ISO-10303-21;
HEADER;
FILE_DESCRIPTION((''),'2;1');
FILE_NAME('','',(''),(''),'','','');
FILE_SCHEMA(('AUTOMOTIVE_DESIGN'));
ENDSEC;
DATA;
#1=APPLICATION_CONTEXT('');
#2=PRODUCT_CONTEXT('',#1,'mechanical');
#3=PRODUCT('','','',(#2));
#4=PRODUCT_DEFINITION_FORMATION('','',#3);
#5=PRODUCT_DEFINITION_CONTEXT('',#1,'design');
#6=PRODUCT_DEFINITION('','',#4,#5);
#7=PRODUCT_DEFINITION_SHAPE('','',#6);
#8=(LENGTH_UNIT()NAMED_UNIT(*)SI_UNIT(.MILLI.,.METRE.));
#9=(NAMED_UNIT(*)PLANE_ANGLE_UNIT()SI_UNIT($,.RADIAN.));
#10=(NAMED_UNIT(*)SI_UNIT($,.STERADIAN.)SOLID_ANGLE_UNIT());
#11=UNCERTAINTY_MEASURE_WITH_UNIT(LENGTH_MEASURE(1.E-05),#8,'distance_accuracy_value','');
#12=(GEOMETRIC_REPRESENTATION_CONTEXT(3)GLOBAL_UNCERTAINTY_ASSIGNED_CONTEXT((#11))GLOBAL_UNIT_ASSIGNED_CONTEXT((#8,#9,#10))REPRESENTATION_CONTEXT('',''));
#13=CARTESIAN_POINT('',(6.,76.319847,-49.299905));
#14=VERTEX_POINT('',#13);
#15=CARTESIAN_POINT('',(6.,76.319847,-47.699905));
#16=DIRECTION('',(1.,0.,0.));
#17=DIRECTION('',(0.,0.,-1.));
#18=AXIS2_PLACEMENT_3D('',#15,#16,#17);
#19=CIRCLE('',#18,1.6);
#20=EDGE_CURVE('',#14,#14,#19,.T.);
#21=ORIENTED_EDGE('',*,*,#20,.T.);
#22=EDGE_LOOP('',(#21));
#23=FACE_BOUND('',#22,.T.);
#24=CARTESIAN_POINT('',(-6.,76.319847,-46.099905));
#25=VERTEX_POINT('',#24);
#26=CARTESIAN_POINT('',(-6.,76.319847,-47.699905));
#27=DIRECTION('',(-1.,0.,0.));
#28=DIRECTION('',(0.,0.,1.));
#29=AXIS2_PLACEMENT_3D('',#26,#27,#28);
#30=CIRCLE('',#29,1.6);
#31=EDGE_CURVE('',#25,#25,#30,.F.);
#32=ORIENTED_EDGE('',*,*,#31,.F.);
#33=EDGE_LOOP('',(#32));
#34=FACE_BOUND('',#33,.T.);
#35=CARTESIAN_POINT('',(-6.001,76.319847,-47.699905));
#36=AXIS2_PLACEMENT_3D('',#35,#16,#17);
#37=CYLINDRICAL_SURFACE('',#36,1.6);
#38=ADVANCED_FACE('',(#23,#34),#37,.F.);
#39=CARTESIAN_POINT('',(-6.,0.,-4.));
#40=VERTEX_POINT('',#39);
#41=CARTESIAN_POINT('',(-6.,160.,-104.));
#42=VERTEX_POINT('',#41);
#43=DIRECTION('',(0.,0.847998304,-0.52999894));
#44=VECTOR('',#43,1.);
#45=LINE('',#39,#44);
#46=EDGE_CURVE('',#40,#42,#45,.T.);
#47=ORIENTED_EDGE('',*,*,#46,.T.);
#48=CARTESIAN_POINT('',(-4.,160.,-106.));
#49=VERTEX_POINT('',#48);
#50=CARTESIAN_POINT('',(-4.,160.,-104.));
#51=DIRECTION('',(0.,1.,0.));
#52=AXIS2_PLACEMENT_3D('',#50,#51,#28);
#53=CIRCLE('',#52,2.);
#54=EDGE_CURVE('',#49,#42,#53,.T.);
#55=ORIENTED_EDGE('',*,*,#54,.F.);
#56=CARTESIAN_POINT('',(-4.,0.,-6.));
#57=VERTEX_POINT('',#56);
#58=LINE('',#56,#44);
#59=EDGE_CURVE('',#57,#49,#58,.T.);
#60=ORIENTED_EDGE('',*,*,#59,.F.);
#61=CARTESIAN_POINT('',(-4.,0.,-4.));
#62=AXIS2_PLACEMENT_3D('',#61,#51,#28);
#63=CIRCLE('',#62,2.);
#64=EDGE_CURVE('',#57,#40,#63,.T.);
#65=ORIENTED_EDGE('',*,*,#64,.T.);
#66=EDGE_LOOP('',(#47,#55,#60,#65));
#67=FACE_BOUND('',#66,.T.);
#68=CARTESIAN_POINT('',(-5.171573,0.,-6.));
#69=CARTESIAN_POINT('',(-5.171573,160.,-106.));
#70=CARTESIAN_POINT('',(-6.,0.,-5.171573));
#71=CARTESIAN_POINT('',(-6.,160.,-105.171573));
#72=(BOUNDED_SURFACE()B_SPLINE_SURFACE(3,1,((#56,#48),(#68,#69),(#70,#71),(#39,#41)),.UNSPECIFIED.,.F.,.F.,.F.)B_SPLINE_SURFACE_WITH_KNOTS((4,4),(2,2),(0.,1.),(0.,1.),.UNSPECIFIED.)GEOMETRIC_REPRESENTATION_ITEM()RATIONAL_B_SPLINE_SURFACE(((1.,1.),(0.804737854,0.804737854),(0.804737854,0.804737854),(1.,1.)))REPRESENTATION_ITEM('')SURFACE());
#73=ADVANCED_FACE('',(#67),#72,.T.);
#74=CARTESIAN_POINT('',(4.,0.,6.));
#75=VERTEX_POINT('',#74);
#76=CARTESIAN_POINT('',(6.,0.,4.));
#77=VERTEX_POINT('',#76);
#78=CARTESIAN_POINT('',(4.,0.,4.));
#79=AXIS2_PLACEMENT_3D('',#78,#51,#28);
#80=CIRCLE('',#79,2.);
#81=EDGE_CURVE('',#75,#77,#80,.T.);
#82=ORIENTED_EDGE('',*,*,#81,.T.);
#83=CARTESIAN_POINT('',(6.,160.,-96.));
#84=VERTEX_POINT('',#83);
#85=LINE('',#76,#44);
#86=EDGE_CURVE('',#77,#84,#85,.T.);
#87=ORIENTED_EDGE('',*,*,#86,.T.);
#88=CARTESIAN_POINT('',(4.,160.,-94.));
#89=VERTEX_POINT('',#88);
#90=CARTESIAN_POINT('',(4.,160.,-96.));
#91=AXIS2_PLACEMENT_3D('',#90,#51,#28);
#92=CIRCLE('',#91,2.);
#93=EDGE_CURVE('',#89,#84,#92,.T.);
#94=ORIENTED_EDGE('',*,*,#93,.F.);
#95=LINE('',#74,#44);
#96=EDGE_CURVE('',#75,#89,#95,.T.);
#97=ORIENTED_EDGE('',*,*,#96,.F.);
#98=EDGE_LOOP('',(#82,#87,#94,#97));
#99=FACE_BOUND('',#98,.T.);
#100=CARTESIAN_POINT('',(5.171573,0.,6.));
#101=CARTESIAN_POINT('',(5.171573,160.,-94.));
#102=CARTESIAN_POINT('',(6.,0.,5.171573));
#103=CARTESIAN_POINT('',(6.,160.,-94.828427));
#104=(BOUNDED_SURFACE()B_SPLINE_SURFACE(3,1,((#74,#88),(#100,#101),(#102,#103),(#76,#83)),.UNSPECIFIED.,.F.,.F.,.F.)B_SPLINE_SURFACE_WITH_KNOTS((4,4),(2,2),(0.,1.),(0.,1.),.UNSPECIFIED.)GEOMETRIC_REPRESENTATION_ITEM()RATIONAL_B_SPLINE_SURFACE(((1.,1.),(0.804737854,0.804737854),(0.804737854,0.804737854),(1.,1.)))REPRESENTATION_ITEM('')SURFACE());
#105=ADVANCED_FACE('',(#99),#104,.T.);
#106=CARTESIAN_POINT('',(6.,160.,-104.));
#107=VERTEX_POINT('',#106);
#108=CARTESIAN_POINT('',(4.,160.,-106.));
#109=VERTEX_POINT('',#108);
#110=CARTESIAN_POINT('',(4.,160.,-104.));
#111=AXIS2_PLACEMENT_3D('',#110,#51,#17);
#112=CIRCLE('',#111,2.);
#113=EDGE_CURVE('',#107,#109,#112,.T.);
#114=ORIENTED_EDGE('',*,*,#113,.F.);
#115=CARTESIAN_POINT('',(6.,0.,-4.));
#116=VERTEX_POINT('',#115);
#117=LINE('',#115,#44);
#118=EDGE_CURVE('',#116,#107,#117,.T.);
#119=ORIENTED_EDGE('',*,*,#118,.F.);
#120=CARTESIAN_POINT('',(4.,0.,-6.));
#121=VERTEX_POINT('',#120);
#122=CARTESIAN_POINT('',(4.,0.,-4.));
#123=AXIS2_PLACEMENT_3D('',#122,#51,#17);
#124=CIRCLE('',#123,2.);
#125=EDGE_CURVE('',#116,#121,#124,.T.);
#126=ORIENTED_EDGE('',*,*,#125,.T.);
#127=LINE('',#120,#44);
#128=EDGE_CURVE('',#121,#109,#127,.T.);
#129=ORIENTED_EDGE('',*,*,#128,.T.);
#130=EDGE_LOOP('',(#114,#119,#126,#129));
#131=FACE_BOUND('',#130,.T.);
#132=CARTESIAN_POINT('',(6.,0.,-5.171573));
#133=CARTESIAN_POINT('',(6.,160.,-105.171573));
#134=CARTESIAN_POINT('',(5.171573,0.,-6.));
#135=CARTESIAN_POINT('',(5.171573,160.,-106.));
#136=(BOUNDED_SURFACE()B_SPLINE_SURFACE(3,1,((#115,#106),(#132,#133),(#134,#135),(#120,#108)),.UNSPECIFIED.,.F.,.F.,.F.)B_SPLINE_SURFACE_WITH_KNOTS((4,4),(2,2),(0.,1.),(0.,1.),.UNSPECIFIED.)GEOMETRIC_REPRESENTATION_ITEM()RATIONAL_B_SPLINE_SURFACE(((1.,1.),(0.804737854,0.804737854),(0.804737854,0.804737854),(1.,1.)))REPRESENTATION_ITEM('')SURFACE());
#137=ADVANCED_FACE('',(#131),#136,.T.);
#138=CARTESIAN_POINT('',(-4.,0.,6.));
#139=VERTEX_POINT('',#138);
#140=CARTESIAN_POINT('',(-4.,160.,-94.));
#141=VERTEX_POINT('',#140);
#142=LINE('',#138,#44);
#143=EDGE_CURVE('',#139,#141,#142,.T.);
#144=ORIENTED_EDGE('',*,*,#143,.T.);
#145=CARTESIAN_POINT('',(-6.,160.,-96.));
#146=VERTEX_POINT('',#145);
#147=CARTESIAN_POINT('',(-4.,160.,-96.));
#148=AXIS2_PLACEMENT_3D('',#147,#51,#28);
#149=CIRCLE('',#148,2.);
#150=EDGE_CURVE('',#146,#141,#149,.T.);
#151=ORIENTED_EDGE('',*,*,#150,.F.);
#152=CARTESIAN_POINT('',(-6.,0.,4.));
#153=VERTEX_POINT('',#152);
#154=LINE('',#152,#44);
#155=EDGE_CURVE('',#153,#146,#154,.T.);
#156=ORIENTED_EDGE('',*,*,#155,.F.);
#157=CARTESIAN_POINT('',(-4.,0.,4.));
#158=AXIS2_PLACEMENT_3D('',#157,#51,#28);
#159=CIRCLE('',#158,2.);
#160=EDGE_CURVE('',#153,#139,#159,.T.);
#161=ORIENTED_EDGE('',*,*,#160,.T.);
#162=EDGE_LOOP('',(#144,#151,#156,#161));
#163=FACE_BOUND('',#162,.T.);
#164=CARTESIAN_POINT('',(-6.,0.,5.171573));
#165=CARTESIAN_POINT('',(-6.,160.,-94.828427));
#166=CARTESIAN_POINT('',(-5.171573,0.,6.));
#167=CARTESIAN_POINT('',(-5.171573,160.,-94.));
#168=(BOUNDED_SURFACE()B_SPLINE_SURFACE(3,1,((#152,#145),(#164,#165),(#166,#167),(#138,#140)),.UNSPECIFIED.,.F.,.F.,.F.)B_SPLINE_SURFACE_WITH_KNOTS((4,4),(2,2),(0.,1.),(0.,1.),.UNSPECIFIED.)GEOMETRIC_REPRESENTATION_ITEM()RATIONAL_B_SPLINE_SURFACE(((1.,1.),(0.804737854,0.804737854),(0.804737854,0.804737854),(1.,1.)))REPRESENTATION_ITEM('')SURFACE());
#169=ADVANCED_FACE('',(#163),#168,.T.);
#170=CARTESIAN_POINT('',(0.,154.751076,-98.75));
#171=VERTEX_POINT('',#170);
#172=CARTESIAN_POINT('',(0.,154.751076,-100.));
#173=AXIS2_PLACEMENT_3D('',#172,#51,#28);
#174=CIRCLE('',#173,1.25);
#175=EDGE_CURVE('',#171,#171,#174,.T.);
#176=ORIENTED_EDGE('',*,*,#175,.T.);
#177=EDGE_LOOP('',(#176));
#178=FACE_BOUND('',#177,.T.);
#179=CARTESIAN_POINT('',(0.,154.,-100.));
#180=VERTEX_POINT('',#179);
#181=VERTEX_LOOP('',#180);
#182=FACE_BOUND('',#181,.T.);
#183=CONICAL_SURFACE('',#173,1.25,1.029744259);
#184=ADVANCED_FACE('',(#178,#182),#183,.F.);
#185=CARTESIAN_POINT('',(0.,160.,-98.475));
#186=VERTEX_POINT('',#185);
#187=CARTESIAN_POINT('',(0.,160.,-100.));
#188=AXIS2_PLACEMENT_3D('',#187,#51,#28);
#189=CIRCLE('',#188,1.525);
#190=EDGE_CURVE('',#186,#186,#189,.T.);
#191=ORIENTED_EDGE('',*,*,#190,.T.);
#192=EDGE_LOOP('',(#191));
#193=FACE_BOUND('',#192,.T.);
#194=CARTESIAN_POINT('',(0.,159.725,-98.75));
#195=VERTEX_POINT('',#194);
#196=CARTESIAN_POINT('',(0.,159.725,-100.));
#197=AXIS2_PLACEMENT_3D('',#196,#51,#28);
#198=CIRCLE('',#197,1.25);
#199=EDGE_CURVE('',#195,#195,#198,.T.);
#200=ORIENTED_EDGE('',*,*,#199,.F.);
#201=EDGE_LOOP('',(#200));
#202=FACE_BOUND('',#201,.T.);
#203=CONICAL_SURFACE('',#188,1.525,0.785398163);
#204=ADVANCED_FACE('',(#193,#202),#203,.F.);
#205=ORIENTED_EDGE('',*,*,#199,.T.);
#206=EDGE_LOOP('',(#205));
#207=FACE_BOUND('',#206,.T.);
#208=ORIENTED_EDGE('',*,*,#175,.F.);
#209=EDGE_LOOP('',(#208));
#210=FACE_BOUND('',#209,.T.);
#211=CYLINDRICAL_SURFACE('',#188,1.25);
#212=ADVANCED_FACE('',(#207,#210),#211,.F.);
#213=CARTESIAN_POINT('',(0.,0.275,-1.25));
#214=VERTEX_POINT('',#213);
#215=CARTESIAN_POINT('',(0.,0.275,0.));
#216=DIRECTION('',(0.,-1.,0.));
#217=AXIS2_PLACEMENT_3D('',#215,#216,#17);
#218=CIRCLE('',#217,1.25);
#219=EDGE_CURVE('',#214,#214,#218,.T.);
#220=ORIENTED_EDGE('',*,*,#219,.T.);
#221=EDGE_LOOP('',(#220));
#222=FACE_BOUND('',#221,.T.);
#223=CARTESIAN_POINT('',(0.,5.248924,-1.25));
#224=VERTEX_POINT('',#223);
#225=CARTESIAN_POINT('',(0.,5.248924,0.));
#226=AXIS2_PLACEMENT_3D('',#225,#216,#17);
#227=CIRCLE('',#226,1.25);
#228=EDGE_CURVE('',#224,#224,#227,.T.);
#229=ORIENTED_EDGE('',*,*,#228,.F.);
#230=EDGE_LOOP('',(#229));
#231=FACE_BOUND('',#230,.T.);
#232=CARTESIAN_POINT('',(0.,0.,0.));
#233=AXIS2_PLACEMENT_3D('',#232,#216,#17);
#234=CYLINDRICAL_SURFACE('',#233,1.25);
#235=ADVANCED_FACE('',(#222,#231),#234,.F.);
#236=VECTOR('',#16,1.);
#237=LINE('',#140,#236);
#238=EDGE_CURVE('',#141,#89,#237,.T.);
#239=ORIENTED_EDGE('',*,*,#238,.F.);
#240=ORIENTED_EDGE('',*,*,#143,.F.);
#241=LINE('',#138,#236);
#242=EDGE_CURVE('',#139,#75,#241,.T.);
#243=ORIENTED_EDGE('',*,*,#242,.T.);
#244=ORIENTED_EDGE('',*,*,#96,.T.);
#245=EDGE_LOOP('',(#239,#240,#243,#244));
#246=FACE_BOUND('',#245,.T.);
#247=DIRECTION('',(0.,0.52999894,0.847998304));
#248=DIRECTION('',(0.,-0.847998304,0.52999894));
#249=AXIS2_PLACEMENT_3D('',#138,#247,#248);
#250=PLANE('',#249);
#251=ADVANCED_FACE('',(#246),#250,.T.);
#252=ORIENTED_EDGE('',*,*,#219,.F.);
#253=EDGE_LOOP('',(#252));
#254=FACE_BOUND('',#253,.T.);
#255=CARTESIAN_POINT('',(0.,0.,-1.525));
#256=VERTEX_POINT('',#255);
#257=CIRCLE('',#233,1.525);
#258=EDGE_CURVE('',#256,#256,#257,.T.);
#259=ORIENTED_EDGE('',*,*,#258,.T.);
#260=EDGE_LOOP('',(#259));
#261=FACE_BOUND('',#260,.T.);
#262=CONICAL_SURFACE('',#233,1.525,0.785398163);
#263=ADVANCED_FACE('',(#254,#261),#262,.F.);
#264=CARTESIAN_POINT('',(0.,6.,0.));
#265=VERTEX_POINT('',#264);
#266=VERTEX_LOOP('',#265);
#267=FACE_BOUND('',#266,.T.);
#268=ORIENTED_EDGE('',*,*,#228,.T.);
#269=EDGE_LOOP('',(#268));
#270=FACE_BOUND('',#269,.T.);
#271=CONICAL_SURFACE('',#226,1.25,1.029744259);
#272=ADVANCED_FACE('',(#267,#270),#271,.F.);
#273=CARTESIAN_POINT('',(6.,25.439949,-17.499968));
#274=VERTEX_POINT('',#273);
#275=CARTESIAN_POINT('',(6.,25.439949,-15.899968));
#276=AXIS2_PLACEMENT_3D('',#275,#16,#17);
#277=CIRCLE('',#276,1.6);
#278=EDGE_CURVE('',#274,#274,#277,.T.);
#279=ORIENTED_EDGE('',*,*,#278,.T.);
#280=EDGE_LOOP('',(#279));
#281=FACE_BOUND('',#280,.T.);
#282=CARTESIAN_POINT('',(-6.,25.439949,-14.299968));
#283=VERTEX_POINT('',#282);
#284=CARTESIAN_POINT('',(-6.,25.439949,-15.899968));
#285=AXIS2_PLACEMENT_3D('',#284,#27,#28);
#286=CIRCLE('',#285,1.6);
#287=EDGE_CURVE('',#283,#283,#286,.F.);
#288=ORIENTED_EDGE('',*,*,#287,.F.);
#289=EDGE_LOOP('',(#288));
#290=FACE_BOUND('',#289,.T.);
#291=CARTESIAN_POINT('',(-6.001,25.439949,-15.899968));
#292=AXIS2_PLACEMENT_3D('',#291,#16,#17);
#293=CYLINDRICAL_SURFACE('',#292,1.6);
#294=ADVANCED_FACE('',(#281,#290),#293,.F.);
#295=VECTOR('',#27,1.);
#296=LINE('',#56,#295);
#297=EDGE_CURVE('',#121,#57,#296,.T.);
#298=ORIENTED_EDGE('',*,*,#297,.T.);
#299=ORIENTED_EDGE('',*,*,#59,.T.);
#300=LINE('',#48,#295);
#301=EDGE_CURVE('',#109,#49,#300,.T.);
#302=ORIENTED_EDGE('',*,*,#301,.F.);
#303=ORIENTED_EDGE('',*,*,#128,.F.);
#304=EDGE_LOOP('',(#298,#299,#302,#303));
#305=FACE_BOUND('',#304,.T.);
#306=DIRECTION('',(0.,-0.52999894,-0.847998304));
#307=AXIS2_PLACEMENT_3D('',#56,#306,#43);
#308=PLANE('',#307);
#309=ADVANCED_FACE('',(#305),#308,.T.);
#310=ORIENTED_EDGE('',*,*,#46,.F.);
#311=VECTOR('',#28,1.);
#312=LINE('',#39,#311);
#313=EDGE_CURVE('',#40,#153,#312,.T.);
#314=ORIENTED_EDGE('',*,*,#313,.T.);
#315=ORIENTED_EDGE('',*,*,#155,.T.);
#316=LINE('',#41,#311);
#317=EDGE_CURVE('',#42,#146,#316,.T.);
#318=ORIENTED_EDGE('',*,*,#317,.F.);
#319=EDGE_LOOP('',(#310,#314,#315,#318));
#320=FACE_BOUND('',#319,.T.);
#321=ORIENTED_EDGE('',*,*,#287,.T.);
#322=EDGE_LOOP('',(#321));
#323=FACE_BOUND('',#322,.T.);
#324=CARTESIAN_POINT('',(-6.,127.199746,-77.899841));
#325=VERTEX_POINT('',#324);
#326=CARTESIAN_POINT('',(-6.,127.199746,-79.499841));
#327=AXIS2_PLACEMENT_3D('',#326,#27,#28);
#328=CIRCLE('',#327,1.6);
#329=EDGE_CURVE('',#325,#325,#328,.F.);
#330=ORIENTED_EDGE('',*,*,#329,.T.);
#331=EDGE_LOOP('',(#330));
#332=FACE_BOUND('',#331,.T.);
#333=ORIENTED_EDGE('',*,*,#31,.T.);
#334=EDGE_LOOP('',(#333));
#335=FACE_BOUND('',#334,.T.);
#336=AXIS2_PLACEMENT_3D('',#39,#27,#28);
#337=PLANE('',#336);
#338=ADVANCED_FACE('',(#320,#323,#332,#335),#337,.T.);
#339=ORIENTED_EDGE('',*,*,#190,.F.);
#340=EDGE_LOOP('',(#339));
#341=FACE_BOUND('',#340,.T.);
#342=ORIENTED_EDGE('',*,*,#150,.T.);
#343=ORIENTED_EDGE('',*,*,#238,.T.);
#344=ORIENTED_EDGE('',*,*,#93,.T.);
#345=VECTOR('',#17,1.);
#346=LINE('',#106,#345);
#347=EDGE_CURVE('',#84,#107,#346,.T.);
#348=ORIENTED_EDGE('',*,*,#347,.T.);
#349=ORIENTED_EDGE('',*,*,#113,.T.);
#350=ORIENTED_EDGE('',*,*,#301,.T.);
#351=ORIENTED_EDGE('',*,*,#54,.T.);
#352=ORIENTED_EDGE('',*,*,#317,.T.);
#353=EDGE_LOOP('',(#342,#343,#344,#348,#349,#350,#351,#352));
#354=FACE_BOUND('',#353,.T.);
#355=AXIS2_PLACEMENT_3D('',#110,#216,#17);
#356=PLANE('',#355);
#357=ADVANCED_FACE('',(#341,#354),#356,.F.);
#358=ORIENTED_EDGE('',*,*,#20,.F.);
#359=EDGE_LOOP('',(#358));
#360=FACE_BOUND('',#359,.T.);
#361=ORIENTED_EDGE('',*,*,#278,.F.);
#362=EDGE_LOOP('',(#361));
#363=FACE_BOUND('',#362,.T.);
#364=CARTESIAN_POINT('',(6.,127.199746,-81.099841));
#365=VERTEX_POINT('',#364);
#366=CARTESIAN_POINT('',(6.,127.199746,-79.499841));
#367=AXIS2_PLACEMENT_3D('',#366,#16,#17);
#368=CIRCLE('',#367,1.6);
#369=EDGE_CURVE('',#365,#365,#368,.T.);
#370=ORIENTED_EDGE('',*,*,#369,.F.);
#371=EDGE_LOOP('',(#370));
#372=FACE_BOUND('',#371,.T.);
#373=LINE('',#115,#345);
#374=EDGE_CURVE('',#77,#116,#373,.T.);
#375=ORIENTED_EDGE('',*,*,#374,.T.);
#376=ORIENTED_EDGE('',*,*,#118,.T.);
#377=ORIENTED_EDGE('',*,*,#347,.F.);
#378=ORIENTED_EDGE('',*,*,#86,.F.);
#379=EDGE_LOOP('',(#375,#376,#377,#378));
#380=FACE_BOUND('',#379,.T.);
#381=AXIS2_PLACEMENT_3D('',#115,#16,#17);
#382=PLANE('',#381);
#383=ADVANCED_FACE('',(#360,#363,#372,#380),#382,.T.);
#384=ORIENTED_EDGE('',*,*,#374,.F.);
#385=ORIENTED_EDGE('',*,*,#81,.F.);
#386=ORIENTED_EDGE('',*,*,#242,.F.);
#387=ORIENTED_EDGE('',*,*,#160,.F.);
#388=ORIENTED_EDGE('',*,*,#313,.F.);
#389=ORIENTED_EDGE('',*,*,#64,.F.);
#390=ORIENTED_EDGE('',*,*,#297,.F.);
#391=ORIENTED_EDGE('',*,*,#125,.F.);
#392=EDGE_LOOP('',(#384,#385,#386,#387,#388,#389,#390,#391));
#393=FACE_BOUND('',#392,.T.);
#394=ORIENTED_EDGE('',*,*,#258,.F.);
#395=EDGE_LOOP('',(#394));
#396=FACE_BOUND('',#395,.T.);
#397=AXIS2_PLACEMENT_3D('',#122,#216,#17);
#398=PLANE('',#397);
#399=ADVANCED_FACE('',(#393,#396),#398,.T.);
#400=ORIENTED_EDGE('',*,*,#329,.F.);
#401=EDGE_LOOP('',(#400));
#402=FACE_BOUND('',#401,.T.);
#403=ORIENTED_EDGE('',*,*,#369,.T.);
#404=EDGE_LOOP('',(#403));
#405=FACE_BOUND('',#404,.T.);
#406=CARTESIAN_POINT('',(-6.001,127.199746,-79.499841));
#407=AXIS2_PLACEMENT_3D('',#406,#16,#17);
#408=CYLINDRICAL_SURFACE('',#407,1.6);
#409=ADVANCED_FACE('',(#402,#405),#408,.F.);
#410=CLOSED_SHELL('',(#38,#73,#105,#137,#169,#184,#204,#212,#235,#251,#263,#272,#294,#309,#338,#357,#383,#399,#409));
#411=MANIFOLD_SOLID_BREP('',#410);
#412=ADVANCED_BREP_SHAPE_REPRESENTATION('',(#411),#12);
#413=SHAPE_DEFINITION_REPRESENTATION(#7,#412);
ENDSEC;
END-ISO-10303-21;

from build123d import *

# Parameters (mm, degrees)
HOLE_WIZARD_M3_1_D           = 2.5
HOLE_WIZARD_M3_1_DEPTH       = 5.248924226
HOLE_WIZARD_M3_1_CSINK_D     = 3.05
HOLE_WIZARD_M3_1_CSINK_ANGLE = 90
HOLE_WIZARD_M3_1_TIP         = 0.751075774
HOLE_WIZARD_M3_2_D           = 2.5
HOLE_WIZARD_M3_2_DEPTH       = 5.248924226
HOLE_WIZARD_M3_2_CSINK_D     = 3.05
HOLE_WIZARD_M3_2_CSINK_ANGLE = 90
HOLE_WIZARD_M3_2_TIP         = 0.751075774
CUT_EXTRUDE_1_REACH          = 194.302
SKETCH_7_R                   = 1.6


with BuildPart() as part:
    # 扫描2: sweep along a path in 草图2
    with BuildLine(Plane(origin=(0, 0, 0), x_dir=(0, 0, -1), z_dir=(1, 0, 0))) as sweep_2_path:
        Line((0, 0), (100, 160))
    # 草图1 → 扫描2 (sweep)
    with BuildSketch(Plane(origin=(0, 0, 0), x_dir=(1, 0, 0), z_dir=(0, 1, 0))):
        with BuildLine():
            Line((-4, 6), (4, 6))
            ThreePointArc((4, 6), (5.414213562, 5.414213562), (6, 4))
            Line((6, 4), (6, -4))
            ThreePointArc((6, -4), (5.414213562, -5.414213562), (4, -6))
            Line((4, -6), (-4, -6))
            ThreePointArc((-4, -6), (-5.414213562, -5.414213562), (-6, -4))
            Line((-6, -4), (-6, 4))
            ThreePointArc((-6, 4), (-5.414213562, 5.414213562), (-4, 6))
        make_face()
    sweep(path=sweep_2_path.line)

    # M3 螺纹孔1
    with Locations(Plane.XZ):
        with Locations((0, 0)):
            CounterSinkHole(HOLE_WIZARD_M3_1_D / 2, HOLE_WIZARD_M3_1_CSINK_D / 2, depth=HOLE_WIZARD_M3_1_DEPTH, counter_sink_angle=HOLE_WIZARD_M3_1_CSINK_ANGLE)
            with Locations((0, 0, -(HOLE_WIZARD_M3_1_DEPTH + HOLE_WIZARD_M3_1_TIP / 2))):  # 118° drill point
                Cone(0, HOLE_WIZARD_M3_1_D / 2, HOLE_WIZARD_M3_1_TIP, mode=Mode.SUBTRACT)

    # M3 螺纹孔2
    with Locations(Plane(origin=(0, 160, 0), x_dir=(1, 0, 0), z_dir=(0, 1, 0))):
        with Locations((0, 100)):
            CounterSinkHole(HOLE_WIZARD_M3_2_D / 2, HOLE_WIZARD_M3_2_CSINK_D / 2, depth=HOLE_WIZARD_M3_2_DEPTH, counter_sink_angle=HOLE_WIZARD_M3_2_CSINK_ANGLE)
            with Locations((0, 0, -(HOLE_WIZARD_M3_2_DEPTH + HOLE_WIZARD_M3_2_TIP / 2))):  # 118° drill point
                Cone(0, HOLE_WIZARD_M3_2_D / 2, HOLE_WIZARD_M3_2_TIP, mode=Mode.SUBTRACT)

    # 草图7 → 切除-拉伸1 (cut, up to next)
    with BuildSketch(Plane(origin=(6, 0, 0), x_dir=(0, 0, -1), z_dir=(1, 0, 0)), mode=Mode.PRIVATE) as cut_extrude_1_sk1:
        with Locations((15.8999682, 25.43994912)):
            Circle(SKETCH_7_R)
    cut_extrude_1_tool1 = extrude(cut_extrude_1_sk1.sketch, amount=-CUT_EXTRUDE_1_REACH, mode=Mode.PRIVATE) & part.part
    # 草图7 → 切除-拉伸1 (cut, up to next)
    with BuildSketch(Plane(origin=(6, 0, 0), x_dir=(0, 0, -1), z_dir=(1, 0, 0)), mode=Mode.PRIVATE) as cut_extrude_1_sk2:
        with Locations((47.6999046, 76.31984736)):
            Circle(SKETCH_7_R)
    cut_extrude_1_tool2 = extrude(cut_extrude_1_sk2.sketch, amount=-CUT_EXTRUDE_1_REACH, mode=Mode.PRIVATE) & part.part
    # 草图7 → 切除-拉伸1 (cut, up to next)
    with BuildSketch(Plane(origin=(6, 0, 0), x_dir=(0, 0, -1), z_dir=(1, 0, 0)), mode=Mode.PRIVATE) as cut_extrude_1_sk3:
        with Locations((79.499841, 127.199745601)):
            Circle(SKETCH_7_R)
    cut_extrude_1_tool3 = extrude(cut_extrude_1_sk3.sketch, amount=-CUT_EXTRUDE_1_REACH, mode=Mode.PRIVATE) & part.part
    add(cut_extrude_1_tool1.solids().sort_by_distance((6, 25.439949, -15.899968))[0], mode=Mode.SUBTRACT)
    add(cut_extrude_1_tool2.solids().sort_by_distance((6, 76.319847, -47.699905))[0], mode=Mode.SUBTRACT)
    add(cut_extrude_1_tool3.solids().sort_by_distance((6, 127.199746, -79.499841))[0], mode=Mode.SUBTRACT)


solid = part.part
